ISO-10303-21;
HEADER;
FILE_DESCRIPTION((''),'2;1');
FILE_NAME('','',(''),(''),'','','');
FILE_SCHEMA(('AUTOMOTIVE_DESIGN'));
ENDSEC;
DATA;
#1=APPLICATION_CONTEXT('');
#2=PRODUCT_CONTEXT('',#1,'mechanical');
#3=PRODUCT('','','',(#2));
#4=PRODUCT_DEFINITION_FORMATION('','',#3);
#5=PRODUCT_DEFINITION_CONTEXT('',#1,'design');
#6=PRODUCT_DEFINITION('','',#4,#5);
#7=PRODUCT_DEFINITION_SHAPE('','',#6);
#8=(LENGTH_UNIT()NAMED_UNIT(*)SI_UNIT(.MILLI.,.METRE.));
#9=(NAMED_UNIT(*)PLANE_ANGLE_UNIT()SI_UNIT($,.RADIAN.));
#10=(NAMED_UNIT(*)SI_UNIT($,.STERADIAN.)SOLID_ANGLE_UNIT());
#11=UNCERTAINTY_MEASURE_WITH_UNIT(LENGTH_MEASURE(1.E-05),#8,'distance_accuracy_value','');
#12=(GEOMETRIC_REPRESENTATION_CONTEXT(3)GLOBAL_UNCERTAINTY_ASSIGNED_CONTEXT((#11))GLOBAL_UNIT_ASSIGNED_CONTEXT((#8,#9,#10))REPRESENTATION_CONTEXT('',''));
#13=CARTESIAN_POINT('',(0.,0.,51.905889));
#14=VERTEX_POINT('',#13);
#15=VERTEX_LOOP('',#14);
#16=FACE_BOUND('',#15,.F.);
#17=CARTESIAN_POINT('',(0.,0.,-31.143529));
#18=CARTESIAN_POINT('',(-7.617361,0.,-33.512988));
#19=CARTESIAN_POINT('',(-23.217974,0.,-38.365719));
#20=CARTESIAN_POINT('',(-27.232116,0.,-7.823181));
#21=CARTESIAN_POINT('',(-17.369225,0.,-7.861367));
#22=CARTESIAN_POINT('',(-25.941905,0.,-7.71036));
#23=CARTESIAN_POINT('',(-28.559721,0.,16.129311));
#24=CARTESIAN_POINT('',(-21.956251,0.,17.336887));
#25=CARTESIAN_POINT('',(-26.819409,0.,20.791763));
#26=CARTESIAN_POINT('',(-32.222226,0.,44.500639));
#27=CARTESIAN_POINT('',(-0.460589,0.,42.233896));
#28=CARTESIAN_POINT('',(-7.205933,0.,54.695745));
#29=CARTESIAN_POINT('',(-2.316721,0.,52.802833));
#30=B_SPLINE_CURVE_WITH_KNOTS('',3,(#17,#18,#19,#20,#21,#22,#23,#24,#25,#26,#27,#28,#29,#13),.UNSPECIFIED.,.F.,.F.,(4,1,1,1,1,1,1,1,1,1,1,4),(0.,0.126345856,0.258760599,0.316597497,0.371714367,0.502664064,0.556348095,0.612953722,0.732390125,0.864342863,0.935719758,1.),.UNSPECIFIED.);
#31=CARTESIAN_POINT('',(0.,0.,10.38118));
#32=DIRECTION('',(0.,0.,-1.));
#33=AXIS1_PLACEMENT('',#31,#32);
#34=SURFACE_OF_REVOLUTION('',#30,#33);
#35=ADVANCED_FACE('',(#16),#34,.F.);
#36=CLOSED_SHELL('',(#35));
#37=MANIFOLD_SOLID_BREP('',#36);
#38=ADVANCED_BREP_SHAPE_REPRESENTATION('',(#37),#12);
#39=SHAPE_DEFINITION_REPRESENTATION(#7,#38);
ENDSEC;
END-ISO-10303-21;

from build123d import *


with BuildPart() as f1:
    # F0 (on Front) → F1 (revolve)
    with BuildSketch(Plane.XZ):
        with BuildLine():
            add(Edge.make_bspline(
                [(0, -31.1435293406), (-7.6173608598, -33.5129877426), (-23.2179743629, -38.3657189471), (-27.2321157525, -7.8231812103), (-17.369224732, -7.861366993), (-25.9419045011, -7.7103603522), (-28.559721058, 16.1293109294), (-21.9562508316, 17.336887393), (-26.8194090166, 20.7917634544), (-32.2222264181, 44.5006393797), (-0.4605886012, 42.2338962578), (-7.2059328011, 54.6957446921), (-2.3167209029, 52.802832878), (0, 51.9058890641)],
                knots=[0, 0, 0, 0, 0.1263458556, 0.2587605992, 0.3165974971, 0.3717143669, 0.5026640642, 0.5563480955, 0.6129537224, 0.7323901254, 0.8643428632, 0.9357197579, 1, 1, 1, 1], degree=3))
            Line((0, -31.1435293406), (0, 51.9058890641))
        make_face()
    revolve(axis=Axis((0, 0, 10.3811798617), (0, 0, -1)))


solid = f1.part
